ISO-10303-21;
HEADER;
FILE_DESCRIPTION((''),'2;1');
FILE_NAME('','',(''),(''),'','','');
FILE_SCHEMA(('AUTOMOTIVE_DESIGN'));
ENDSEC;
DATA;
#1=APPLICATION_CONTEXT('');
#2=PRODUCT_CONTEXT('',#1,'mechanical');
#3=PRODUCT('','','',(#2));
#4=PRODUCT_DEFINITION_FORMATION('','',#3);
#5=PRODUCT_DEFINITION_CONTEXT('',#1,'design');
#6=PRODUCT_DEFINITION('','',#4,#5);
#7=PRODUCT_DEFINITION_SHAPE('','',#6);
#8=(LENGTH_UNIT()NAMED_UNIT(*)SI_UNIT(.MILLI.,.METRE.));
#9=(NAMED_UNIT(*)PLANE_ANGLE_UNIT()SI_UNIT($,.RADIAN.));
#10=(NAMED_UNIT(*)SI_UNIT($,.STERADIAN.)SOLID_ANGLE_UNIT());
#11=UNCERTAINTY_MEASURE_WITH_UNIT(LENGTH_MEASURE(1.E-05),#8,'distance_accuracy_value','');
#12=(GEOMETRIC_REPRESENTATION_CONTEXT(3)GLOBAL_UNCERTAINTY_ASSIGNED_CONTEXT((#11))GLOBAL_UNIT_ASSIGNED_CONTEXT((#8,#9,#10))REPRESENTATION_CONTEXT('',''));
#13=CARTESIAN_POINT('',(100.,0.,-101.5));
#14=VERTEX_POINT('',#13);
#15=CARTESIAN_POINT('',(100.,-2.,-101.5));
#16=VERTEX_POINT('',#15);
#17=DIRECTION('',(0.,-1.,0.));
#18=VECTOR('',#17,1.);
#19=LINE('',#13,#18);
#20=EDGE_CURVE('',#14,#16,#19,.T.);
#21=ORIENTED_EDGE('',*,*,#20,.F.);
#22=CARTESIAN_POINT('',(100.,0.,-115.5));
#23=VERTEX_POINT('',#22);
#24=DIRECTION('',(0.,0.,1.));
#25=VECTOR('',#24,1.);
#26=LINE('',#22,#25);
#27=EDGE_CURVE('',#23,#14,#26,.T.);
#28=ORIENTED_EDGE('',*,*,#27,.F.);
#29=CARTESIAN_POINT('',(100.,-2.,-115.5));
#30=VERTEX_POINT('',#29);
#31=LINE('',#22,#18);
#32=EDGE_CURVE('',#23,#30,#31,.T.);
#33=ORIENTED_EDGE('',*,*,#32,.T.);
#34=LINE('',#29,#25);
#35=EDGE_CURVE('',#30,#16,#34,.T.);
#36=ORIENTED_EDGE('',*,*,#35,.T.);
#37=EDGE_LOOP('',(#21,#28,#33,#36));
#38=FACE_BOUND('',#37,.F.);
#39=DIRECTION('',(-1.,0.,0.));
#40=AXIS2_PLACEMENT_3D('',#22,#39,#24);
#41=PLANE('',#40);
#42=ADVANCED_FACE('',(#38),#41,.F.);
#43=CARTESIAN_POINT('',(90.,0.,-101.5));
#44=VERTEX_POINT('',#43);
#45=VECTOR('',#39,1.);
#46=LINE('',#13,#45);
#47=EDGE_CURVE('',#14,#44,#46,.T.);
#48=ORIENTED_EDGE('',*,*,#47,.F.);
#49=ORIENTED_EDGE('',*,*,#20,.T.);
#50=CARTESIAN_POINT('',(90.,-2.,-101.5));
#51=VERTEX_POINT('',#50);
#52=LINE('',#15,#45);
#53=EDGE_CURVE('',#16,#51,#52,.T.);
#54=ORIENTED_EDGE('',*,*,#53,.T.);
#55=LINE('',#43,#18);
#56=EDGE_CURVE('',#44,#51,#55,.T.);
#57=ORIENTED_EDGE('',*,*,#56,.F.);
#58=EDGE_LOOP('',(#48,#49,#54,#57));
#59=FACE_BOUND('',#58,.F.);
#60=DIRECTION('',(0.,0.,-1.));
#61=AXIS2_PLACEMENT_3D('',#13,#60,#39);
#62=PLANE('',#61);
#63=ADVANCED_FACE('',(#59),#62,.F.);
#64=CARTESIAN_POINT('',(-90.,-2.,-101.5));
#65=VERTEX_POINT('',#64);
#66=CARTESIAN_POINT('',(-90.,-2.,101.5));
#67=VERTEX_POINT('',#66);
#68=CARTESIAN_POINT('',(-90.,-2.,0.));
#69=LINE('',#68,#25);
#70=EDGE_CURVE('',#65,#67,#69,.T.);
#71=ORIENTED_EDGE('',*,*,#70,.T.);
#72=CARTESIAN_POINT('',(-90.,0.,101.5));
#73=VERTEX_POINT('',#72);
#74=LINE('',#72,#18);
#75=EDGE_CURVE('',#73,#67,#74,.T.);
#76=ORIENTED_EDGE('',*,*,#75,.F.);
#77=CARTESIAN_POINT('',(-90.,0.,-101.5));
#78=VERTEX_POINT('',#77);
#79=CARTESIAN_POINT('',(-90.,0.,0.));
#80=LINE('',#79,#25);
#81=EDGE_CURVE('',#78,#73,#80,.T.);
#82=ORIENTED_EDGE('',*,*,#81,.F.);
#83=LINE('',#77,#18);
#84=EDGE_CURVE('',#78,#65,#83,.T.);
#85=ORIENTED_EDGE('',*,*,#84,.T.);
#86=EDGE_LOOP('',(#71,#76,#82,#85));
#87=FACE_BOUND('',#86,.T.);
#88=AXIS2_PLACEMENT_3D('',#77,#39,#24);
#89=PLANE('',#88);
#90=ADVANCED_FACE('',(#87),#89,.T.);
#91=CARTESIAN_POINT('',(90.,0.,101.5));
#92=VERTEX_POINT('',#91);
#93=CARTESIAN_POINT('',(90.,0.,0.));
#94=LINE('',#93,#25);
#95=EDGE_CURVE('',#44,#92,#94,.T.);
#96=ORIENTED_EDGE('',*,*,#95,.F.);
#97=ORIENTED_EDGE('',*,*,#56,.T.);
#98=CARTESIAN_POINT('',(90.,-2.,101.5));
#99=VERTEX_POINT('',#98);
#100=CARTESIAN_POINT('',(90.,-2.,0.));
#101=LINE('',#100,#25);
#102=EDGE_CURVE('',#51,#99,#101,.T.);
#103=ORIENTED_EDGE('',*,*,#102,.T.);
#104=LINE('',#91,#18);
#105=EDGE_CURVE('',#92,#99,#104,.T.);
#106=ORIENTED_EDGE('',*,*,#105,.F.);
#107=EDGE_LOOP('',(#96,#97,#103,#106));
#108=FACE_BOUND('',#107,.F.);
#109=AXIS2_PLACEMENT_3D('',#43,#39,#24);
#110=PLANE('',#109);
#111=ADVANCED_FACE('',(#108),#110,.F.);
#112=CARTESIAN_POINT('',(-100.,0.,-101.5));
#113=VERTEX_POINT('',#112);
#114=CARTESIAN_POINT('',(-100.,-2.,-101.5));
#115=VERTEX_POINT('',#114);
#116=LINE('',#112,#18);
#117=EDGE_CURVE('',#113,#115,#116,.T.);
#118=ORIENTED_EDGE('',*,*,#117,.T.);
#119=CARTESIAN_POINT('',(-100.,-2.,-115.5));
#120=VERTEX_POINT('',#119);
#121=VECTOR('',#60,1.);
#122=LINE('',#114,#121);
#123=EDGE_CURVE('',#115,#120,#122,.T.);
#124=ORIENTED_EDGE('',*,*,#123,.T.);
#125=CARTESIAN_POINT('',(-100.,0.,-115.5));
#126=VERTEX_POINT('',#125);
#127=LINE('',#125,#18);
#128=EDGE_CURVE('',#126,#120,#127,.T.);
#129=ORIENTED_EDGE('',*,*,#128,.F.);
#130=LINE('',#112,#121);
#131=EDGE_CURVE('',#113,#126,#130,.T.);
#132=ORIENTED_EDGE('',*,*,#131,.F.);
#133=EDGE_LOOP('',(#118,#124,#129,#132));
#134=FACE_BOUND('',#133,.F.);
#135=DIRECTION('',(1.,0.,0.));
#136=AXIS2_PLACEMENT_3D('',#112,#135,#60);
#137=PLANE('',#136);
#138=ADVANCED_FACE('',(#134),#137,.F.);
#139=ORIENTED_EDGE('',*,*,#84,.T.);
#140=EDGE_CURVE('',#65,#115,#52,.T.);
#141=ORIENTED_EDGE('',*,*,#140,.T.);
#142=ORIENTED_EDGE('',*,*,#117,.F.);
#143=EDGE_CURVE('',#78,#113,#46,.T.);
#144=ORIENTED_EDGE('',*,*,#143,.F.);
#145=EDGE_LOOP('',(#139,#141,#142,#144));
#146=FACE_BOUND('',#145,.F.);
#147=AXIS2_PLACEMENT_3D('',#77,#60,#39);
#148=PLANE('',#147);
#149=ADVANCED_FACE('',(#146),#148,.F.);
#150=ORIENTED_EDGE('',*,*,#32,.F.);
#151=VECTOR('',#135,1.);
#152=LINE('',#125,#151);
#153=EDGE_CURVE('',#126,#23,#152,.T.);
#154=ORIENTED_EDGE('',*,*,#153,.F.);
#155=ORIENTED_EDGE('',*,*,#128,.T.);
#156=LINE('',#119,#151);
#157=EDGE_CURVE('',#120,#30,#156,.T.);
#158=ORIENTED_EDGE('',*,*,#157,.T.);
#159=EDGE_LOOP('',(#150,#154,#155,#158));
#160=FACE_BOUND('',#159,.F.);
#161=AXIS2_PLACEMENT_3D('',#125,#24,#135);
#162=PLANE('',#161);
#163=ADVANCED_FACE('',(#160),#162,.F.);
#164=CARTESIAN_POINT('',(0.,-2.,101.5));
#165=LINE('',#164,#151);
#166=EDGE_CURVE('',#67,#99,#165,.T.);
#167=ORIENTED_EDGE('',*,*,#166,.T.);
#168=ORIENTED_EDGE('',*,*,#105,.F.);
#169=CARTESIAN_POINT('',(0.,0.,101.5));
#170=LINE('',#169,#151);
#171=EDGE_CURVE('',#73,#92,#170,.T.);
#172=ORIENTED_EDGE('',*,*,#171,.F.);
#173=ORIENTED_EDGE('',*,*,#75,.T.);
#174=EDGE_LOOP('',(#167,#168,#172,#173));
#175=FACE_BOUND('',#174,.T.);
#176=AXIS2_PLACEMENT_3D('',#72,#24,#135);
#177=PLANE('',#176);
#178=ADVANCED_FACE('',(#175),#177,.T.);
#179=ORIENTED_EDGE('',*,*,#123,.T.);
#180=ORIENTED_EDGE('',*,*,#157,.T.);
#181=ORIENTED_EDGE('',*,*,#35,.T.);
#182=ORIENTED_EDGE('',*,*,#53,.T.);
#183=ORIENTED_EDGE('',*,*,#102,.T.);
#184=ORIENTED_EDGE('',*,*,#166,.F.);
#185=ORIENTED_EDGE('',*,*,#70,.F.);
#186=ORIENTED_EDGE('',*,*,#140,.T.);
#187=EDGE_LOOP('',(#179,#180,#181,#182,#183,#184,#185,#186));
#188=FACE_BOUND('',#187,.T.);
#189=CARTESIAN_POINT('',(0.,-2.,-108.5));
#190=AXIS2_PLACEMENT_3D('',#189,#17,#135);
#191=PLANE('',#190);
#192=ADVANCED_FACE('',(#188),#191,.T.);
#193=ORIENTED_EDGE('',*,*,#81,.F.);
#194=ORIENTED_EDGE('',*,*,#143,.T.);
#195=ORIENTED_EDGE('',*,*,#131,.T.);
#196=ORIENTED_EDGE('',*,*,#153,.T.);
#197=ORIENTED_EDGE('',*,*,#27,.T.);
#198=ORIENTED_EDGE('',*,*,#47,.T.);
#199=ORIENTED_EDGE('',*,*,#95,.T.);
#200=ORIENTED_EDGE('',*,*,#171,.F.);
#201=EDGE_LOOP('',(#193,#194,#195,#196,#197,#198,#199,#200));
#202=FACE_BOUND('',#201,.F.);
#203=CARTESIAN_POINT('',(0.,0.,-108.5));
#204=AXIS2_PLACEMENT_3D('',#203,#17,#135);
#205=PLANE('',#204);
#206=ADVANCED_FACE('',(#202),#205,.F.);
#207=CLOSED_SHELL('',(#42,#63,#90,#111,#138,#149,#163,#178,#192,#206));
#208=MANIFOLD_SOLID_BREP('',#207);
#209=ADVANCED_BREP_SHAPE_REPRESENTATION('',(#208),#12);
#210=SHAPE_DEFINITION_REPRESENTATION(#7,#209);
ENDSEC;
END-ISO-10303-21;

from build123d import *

# Parameters (mm, degrees)
F0_W     = 180
F0_H     = 203
F1_DEPTH = 2


with BuildPart() as f1:
    # F0 (on Front) → F1 (new body)
    with BuildSketch(Plane.XZ):
        Polygon((100, -101.5), (90, -101.5), (-90, -101.5), (-100, -101.5), (-100, -115.5), (100, -115.5), align=None)
        Rectangle(F0_W, F0_H)
    extrude(amount=F1_DEPTH)


solid = f1.part
